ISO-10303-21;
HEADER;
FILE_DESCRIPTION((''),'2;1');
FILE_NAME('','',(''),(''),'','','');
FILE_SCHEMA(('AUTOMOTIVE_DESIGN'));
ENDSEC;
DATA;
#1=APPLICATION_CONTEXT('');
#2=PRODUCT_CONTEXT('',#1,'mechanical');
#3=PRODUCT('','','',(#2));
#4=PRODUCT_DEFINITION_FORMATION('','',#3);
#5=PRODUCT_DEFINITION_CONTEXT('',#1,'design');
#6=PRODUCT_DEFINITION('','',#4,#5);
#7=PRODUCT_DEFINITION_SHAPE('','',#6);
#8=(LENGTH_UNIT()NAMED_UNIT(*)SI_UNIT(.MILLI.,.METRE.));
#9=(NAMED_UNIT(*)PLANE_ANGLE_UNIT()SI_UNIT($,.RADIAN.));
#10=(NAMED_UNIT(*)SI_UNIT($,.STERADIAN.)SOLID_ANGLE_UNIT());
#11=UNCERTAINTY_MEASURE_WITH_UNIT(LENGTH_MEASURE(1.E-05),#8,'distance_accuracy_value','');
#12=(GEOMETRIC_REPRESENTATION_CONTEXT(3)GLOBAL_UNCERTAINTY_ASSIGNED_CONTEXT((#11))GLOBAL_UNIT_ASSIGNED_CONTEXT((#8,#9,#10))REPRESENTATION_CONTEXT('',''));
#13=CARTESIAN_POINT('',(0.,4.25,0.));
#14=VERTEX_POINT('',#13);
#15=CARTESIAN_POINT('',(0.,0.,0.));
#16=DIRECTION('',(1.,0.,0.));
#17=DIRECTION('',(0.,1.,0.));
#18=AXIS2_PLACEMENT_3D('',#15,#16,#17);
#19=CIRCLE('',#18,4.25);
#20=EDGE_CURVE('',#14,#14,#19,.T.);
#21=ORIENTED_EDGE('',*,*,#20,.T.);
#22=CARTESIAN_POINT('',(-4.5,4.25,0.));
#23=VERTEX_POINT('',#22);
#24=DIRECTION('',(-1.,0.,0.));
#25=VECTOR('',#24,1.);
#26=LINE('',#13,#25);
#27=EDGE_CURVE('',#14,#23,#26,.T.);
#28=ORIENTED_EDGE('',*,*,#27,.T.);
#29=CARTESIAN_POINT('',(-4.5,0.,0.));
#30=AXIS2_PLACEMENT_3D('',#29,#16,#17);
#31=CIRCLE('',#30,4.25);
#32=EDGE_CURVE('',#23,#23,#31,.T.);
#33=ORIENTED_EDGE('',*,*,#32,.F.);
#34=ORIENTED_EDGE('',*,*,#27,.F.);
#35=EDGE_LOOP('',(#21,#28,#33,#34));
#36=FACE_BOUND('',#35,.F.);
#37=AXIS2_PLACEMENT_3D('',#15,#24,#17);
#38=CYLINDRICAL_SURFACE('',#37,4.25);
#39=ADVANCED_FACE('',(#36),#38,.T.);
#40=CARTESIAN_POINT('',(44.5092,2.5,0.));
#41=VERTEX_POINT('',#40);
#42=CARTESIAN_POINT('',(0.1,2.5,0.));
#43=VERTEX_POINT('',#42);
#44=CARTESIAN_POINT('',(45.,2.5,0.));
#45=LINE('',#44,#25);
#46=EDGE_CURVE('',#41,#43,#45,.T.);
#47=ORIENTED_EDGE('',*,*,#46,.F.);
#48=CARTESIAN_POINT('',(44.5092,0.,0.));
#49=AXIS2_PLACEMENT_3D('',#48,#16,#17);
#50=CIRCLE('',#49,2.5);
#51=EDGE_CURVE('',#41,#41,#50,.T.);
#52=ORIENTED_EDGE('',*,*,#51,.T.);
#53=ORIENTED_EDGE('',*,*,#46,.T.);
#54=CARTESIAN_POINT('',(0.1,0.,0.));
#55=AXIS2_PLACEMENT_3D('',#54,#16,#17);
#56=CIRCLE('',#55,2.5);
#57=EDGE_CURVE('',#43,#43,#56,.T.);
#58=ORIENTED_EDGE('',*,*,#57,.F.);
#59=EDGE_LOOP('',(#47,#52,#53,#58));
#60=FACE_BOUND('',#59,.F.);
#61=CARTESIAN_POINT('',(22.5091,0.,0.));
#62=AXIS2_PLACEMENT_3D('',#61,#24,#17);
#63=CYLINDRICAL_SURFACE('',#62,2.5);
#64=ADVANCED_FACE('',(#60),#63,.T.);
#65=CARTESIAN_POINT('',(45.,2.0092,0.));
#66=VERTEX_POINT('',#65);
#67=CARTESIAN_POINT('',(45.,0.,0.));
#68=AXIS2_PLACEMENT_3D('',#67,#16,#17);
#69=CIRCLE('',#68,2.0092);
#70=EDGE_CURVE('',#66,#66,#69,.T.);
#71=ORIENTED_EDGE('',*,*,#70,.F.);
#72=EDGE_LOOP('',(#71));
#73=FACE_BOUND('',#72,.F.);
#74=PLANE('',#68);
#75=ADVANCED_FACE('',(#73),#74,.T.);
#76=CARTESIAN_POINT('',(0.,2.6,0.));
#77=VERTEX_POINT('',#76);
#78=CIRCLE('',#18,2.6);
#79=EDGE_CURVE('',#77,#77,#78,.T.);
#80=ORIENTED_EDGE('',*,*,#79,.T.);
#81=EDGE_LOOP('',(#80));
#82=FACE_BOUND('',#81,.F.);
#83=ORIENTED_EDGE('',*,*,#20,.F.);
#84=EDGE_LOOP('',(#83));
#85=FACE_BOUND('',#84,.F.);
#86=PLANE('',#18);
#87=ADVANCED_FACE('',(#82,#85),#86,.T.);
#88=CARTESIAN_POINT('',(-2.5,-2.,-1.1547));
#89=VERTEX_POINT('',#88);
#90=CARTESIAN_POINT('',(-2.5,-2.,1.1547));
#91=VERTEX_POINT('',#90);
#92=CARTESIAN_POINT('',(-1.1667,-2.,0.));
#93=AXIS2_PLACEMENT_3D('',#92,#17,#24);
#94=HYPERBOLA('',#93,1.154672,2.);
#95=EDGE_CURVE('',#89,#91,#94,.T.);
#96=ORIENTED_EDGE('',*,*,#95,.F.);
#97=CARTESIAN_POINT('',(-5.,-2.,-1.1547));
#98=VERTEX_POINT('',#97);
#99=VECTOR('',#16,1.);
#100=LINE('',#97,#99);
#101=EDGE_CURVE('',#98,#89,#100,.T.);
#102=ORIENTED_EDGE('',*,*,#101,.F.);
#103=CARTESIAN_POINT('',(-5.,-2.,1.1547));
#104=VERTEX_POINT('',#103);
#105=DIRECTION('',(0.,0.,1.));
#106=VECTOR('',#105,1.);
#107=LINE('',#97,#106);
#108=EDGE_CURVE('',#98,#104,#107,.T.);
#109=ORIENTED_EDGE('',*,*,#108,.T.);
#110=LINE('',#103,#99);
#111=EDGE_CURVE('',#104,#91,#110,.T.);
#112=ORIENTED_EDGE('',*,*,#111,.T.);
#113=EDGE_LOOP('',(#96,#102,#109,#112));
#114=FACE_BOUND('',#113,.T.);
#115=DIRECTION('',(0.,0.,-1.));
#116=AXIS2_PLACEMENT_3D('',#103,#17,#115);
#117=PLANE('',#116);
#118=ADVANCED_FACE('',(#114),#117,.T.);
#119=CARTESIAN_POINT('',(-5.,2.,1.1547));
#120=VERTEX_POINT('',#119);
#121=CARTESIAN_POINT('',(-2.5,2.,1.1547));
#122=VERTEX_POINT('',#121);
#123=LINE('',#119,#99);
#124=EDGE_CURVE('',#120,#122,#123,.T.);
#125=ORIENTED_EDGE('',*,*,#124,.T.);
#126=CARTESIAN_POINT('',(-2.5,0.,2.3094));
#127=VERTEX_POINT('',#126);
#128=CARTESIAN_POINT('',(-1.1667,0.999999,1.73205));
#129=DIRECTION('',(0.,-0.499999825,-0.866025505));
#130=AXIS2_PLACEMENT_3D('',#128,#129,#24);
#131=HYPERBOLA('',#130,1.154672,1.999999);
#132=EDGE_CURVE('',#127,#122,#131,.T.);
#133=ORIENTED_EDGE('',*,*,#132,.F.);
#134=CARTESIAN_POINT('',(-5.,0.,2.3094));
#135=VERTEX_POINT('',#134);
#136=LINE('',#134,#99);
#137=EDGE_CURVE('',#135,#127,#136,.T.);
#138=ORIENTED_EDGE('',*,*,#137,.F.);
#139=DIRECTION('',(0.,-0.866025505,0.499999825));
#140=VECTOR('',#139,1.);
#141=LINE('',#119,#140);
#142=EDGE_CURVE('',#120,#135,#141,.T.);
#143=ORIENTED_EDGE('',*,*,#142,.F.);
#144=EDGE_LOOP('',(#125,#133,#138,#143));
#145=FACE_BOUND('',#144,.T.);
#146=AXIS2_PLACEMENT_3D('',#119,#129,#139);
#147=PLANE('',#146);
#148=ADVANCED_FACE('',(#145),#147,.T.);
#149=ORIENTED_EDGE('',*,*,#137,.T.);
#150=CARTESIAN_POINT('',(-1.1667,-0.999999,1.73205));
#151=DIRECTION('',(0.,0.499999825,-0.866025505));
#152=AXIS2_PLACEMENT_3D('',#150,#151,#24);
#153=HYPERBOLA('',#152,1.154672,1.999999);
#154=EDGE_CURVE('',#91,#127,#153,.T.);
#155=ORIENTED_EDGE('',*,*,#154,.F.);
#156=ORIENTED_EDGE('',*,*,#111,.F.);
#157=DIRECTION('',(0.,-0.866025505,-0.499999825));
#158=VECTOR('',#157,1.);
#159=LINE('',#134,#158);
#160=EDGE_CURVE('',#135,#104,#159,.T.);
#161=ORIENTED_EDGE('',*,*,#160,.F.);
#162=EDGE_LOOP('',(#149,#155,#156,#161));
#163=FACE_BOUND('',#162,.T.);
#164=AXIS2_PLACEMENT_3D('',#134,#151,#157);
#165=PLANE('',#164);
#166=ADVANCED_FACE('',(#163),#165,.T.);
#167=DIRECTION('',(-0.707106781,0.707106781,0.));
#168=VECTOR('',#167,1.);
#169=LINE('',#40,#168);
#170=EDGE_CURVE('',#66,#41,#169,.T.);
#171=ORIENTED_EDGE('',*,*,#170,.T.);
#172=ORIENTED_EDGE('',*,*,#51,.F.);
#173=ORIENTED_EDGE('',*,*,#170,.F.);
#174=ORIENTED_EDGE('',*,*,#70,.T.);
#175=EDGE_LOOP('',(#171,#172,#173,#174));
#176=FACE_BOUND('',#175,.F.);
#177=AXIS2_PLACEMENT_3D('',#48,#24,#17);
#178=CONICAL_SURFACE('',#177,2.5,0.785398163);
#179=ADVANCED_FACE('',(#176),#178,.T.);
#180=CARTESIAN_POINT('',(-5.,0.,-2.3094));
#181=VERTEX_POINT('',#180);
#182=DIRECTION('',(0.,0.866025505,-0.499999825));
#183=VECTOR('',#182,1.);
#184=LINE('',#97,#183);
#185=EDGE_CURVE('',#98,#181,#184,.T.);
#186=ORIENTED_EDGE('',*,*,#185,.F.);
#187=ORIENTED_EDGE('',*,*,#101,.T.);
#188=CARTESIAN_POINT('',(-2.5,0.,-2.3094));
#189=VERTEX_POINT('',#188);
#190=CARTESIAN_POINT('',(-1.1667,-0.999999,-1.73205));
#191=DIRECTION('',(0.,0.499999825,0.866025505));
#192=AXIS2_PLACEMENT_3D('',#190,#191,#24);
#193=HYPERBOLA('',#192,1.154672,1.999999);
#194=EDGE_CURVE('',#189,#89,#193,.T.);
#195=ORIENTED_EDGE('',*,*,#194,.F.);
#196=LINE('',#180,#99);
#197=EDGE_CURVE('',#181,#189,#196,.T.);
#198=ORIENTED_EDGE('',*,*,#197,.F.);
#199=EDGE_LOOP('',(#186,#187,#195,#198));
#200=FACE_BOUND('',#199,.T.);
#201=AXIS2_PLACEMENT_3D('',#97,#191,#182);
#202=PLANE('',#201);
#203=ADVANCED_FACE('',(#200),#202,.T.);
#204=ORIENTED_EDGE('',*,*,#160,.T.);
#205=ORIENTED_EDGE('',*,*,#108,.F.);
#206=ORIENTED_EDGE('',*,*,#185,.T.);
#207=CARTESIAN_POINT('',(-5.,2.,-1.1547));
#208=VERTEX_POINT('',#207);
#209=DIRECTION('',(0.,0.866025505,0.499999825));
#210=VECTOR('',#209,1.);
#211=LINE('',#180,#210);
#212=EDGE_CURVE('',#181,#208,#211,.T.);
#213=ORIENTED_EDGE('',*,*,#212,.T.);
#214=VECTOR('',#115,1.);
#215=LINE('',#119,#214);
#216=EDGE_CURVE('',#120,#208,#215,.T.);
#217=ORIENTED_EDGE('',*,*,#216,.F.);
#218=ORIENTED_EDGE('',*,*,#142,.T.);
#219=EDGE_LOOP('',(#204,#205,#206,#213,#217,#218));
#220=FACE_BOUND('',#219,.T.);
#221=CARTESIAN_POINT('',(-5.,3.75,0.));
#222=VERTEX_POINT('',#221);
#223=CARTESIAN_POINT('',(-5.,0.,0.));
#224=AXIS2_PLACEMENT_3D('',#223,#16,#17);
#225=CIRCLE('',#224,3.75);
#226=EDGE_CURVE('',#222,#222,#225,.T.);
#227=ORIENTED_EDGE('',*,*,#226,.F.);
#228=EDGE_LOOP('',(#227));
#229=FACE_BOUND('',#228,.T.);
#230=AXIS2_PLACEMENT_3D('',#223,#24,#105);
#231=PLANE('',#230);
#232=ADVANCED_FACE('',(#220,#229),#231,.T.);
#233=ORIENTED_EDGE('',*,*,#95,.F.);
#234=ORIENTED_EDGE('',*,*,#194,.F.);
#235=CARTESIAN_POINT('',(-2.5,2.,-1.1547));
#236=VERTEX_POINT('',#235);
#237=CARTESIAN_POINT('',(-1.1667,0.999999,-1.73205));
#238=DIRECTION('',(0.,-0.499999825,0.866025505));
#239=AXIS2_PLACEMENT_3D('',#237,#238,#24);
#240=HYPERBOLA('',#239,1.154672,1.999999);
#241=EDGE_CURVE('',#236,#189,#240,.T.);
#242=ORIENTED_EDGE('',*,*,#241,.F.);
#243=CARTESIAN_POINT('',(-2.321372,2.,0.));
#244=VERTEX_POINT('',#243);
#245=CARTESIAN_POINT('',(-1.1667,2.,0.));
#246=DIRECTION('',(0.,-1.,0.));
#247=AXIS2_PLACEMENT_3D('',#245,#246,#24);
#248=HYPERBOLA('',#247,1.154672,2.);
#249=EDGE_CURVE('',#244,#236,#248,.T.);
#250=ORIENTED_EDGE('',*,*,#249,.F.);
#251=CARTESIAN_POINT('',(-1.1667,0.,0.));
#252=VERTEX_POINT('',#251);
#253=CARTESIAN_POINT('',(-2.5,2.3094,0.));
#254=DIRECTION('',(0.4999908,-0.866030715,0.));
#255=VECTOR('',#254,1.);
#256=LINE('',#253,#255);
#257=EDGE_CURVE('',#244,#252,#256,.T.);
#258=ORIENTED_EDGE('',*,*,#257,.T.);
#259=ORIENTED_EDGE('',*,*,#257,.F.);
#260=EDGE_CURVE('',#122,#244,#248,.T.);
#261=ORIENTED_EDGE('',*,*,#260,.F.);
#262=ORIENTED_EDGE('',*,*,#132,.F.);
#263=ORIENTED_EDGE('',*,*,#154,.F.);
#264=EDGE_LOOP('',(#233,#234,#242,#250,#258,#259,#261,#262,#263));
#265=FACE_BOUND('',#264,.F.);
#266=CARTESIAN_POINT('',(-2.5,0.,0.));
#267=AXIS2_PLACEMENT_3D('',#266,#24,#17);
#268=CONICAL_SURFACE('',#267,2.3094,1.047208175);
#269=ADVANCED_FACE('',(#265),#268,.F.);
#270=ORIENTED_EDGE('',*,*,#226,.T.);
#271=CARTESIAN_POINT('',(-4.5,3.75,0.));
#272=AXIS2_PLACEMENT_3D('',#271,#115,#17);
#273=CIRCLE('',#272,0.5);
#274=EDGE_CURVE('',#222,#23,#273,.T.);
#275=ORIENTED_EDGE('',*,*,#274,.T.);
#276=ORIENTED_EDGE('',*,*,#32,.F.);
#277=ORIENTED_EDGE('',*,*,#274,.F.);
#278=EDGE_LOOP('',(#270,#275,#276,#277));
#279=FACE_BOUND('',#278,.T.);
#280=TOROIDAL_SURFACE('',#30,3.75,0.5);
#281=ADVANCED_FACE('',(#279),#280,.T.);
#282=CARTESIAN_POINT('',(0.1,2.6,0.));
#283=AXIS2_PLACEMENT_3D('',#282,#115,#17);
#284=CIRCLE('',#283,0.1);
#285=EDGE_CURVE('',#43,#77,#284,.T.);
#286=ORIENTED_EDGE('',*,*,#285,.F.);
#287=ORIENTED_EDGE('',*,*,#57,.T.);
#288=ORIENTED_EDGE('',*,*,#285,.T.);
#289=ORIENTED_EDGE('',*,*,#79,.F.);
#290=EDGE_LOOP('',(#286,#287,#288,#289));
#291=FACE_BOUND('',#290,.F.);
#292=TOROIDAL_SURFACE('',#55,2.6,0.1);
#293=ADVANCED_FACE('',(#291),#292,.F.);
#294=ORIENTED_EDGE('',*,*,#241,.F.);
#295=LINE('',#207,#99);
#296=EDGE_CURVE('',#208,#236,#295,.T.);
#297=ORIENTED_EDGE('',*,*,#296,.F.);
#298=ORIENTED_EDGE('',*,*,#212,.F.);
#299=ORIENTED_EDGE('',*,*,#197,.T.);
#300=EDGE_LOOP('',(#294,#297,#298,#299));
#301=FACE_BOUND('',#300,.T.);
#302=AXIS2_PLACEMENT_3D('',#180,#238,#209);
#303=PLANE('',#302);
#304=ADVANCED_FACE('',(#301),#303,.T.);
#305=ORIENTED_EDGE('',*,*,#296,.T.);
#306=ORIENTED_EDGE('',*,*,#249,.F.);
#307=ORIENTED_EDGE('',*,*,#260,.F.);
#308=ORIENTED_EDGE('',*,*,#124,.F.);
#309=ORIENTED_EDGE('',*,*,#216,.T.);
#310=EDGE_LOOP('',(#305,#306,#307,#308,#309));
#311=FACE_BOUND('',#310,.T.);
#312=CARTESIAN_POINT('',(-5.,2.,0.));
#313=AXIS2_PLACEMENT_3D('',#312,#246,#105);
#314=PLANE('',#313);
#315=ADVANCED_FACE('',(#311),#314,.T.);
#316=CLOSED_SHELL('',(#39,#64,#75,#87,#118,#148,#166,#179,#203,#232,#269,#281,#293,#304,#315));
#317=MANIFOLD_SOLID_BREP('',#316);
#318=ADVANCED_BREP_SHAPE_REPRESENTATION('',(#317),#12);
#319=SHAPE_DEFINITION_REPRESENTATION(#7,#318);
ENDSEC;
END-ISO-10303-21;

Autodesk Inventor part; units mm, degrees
ref_plane "YZ Plane" through (0, 0, 0) normal (1, 0, 0) x (0, 1, 0)
ref_plane "XZ Plane" through (0, 0, 0) normal (0, 1, 0) x (-1, 0, 0)
sketch "Sketch1" plane through (0, 0, 0) normal (0, 0, 1) x (1, 0, 0)
  line L0 (-1.1667, 0) -> (45, 0)
  line L1 (45, 0) -> (45, 2.5)
  line L2 (45, 2.5) -> (23, 2.5)
  line L3 (23, 2.5) -> (22.5091, 2.5)
  line L4 (22.5091, 2.5) -> (0, 2.5)
  line L5 (0, 2.5) -> (0, 4.25)
  line L6 (0, 4.25) -> (-5, 4.25)
  line L7 (-5, 4.25) -> (-5, 2.3094)
  line L8 (-5, 2.3094) -> (-2.5, 2.3094)
  line L9 (-2.5, 2.3094) -> (-1.1667, 0)
  line L10 (-15, 0) -> (55, 0) projected
  line L11 (0, -0.85) -> (0, 5.1) projected
  line L12 (23, 2.5) -> (0, 2.5) construction
  dimension "d1" = 22
  dimension "d2" = 0.4909
  dimension "d3" = 5
  dimension "d4" = 2.5
  dimension "d5" = 60
  dimension "d6" = 5
  dimension "d7" = 5
  dimension "d8" = 4.6188
  dimension "d9" = 8.5
  dimension "d26" = 45
revolve "Body" add sketch "Sketch1" angle 360 about axis through (-1.1667, 0, 0) along (1, 0, 0)
sketch "Sketch2" plane through (-5, 0, 0) normal (-1, 0, 0) x (0, 0, 1)
  circle A0 centre (0, 0) radius 2.3094 projected
  line L0 (0, -5.95) -> (0, 5.95) projected
  line L1 (-5.95, 0) -> (5.95, 0) projected
  line L2 (2.3094, 0) -> (1.1547, -2)
  line L3 (1.1547, -2) -> (-1.1547, -2)
  line L4 (-1.1547, -2) -> (-2.3094, 0)
  line L5 (-2.3094, 0) -> (-1.1547, 2)
  line L6 (-1.1547, 2) -> (1.1547, 2)
  line L7 (1.1547, 2) -> (2.3094, 0)
extrude "Slot" add sketch "Sketch2" against normal up to next contours L7 A0 | A0 L2 | L6 L0 A0 | A0 L0 L3 | L0 L6 A0 | A0 L3 L0 | L4 A0 | A0 L5
fillet "Fillet1" radius 0.5 1 edges at (-5, -4.25, 0)
thread "Thread" size "M5x0.8" designation "M5" class "6g" standard "ISO Metric profile" length 22
chamfer "Chamfer1" distance 0.4908 distance2 0.4908 1 edges at (45, -2.5, 0) measured on face at (45, 0.4734, 0.6858)
ref_plane "Work Plane1" through (29, 0, 0) normal (0, -1, 0) x (1, 0, 0)
fillet "Fillet2" radius 0.1 1 edges at (0, -2.5, 0)
equation "\"d1\" = GEL"
equation "\"d3\" = KOH"
equation "\"d4\" = INTI"
equation "\"d6\" = GD"
equation "\"d7\" = BDM"
equation "\"d8\" = 1.1547 * SW"
equation "\"d9\" = KOD"
equation "\"d26\" = NLG"
equation "\"d30\" = R"
equation "\"d17\" = RR"
equation "\"d13\" = GEL"
equation "\"d15\" = -0.5 * SPD + 0.5 * GD"
equation "\"d16\" = GUL"
equation "\"GD\" = 5"
equation "\"NLG\" = 45"
equation "\"GEL\" = 22"
equation "\"KOD\" = 8.5"
equation "\"KOH\" = 5"
equation "\"INTI\" = 2.5"
equation "\"GAL\" = 0.61345 * PTC"
equation "\"GUL\" = 0.61345 * PTC"
equation "\"BDM\" = NND"
equation "\"SW\" = 4"
equation "\"RR\" = 0.5"
equation "\"SPD\" = NND - 1.2269 * PTC"
equation "\"R\" = 0.1"
equation "\"TOA\" = 30deg"
equation "\"GD1\" = THREADDIA - 1.2269 * PTC"
equation "\"THREADDIA\" = 5"
equation "\"FAWI\" = 45deg"
equation "\"PTC\" = 0.8"
equation "\"NND\" = 5"
equation "\"E0\" = 1.155 * SW"
properties part number "ISO 4762 - M5 x 45" material "Steel"
